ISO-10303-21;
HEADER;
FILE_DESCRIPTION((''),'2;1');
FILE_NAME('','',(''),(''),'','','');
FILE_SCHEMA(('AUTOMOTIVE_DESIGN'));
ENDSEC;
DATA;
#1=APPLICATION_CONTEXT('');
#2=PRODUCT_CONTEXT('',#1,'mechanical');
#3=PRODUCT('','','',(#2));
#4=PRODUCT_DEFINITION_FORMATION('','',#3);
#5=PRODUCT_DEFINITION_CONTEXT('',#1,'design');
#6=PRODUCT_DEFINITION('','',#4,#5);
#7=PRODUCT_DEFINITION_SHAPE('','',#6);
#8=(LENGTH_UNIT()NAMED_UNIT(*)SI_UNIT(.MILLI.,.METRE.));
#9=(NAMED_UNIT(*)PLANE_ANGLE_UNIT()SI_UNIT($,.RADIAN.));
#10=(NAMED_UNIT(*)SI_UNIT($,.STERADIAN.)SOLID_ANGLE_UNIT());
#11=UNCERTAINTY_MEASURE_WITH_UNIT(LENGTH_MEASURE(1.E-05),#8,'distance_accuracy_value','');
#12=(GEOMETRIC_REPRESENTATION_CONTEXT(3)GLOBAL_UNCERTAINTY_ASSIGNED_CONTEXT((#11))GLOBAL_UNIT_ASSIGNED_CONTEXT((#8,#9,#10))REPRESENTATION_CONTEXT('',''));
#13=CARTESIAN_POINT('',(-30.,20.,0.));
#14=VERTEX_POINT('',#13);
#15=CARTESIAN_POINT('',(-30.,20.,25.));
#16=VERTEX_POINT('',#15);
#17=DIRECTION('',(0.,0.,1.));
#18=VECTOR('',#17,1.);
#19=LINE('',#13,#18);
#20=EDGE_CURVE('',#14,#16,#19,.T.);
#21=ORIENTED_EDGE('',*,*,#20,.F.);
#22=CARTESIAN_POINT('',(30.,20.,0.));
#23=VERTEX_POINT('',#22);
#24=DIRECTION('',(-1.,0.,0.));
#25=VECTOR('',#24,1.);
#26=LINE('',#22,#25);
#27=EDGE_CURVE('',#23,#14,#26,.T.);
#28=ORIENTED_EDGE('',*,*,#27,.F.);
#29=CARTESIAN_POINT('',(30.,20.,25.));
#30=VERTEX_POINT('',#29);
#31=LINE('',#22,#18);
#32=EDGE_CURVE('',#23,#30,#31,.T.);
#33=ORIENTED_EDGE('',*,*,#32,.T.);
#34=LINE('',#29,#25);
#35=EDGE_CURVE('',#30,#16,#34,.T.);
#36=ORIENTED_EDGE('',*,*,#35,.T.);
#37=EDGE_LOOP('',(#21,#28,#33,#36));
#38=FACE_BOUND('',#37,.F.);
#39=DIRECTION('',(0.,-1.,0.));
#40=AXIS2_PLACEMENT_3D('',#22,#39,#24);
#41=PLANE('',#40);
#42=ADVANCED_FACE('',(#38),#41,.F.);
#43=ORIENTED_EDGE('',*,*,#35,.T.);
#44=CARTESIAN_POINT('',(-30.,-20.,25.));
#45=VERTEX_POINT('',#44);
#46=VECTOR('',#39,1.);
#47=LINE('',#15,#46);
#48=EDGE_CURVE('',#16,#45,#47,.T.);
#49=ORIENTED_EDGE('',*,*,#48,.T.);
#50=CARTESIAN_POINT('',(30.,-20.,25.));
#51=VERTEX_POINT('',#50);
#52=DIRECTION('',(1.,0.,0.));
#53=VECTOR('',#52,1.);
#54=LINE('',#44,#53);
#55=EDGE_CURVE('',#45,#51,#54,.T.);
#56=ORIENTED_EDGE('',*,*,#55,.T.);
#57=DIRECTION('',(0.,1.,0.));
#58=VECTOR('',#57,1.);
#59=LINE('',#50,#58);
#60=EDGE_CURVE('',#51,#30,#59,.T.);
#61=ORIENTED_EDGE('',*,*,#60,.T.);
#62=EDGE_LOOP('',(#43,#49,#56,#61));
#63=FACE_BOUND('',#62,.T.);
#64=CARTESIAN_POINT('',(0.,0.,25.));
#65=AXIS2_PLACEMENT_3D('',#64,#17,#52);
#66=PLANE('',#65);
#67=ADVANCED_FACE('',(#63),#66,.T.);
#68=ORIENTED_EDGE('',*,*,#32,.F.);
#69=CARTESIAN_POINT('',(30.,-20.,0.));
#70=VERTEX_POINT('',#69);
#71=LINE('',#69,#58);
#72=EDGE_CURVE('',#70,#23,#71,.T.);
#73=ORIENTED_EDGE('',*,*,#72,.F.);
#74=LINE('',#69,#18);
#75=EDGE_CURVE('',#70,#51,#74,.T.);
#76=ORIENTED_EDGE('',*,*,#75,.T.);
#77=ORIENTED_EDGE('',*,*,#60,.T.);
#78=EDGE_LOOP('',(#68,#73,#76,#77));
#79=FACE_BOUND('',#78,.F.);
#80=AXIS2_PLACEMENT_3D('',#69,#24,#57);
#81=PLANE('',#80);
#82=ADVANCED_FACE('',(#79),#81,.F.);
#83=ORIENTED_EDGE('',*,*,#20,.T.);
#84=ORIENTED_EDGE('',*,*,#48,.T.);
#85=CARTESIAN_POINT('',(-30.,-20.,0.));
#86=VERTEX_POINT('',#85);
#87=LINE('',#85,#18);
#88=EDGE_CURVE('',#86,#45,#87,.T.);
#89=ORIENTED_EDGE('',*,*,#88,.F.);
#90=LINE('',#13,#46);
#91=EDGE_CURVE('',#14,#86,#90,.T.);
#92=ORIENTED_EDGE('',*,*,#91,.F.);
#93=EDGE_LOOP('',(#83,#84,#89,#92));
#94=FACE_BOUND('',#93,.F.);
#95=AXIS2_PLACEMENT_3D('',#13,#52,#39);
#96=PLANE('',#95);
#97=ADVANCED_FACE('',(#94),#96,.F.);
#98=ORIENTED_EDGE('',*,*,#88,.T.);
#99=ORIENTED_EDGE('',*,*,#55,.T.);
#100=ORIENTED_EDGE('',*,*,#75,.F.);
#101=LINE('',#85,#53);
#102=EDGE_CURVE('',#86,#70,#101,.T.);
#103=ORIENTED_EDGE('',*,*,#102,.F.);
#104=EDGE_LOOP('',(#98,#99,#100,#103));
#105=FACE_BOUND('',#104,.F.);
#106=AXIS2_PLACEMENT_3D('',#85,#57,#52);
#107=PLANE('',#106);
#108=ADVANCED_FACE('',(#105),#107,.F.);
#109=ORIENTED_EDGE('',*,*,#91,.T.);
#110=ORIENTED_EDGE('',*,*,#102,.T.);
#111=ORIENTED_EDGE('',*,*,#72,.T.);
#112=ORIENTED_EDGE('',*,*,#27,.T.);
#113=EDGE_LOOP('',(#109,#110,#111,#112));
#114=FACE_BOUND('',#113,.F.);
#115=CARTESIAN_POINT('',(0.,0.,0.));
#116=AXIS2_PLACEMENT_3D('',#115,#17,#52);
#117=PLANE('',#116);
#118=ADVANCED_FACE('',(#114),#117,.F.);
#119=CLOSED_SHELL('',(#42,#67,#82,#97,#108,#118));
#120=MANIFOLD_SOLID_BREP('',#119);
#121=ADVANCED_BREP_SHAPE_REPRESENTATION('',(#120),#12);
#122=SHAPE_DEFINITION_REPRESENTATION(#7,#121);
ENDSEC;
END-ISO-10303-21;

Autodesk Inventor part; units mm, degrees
ref_plane "YZ Plane" through (0, 0, 0) normal (1, 0, 0) x (0, 1, 0)
ref_plane "XZ Plane" through (0, 0, 0) normal (0, 1, 0) x (-1, 0, 0)
ref_plane "XY Plane" through (0, 0, 0) normal (0, 0, 1) x (1, 0, 0)
sketch "Sketch1" plane through (0, 0, 0) normal (0, 0, 1) x (1, 0, 0)
  line L0 (-30, -20) -> (30, -20)
  line L1 (30, -20) -> (30, 20)
  line L2 (30, 20) -> (-30, 20)
  line L3 (-30, 20) -> (-30, -20)
  line L4 (-30, -20) -> (30, 20) construction
  line L5 (30, -20) -> (-30, 20) construction
  point P0 (0, 0)
  dimension "d0" = 60
  dimension "d1" = 40
extrude "Extrusion1" add sketch "Sketch1" along normal blind 25
properties part number "elektronika"
